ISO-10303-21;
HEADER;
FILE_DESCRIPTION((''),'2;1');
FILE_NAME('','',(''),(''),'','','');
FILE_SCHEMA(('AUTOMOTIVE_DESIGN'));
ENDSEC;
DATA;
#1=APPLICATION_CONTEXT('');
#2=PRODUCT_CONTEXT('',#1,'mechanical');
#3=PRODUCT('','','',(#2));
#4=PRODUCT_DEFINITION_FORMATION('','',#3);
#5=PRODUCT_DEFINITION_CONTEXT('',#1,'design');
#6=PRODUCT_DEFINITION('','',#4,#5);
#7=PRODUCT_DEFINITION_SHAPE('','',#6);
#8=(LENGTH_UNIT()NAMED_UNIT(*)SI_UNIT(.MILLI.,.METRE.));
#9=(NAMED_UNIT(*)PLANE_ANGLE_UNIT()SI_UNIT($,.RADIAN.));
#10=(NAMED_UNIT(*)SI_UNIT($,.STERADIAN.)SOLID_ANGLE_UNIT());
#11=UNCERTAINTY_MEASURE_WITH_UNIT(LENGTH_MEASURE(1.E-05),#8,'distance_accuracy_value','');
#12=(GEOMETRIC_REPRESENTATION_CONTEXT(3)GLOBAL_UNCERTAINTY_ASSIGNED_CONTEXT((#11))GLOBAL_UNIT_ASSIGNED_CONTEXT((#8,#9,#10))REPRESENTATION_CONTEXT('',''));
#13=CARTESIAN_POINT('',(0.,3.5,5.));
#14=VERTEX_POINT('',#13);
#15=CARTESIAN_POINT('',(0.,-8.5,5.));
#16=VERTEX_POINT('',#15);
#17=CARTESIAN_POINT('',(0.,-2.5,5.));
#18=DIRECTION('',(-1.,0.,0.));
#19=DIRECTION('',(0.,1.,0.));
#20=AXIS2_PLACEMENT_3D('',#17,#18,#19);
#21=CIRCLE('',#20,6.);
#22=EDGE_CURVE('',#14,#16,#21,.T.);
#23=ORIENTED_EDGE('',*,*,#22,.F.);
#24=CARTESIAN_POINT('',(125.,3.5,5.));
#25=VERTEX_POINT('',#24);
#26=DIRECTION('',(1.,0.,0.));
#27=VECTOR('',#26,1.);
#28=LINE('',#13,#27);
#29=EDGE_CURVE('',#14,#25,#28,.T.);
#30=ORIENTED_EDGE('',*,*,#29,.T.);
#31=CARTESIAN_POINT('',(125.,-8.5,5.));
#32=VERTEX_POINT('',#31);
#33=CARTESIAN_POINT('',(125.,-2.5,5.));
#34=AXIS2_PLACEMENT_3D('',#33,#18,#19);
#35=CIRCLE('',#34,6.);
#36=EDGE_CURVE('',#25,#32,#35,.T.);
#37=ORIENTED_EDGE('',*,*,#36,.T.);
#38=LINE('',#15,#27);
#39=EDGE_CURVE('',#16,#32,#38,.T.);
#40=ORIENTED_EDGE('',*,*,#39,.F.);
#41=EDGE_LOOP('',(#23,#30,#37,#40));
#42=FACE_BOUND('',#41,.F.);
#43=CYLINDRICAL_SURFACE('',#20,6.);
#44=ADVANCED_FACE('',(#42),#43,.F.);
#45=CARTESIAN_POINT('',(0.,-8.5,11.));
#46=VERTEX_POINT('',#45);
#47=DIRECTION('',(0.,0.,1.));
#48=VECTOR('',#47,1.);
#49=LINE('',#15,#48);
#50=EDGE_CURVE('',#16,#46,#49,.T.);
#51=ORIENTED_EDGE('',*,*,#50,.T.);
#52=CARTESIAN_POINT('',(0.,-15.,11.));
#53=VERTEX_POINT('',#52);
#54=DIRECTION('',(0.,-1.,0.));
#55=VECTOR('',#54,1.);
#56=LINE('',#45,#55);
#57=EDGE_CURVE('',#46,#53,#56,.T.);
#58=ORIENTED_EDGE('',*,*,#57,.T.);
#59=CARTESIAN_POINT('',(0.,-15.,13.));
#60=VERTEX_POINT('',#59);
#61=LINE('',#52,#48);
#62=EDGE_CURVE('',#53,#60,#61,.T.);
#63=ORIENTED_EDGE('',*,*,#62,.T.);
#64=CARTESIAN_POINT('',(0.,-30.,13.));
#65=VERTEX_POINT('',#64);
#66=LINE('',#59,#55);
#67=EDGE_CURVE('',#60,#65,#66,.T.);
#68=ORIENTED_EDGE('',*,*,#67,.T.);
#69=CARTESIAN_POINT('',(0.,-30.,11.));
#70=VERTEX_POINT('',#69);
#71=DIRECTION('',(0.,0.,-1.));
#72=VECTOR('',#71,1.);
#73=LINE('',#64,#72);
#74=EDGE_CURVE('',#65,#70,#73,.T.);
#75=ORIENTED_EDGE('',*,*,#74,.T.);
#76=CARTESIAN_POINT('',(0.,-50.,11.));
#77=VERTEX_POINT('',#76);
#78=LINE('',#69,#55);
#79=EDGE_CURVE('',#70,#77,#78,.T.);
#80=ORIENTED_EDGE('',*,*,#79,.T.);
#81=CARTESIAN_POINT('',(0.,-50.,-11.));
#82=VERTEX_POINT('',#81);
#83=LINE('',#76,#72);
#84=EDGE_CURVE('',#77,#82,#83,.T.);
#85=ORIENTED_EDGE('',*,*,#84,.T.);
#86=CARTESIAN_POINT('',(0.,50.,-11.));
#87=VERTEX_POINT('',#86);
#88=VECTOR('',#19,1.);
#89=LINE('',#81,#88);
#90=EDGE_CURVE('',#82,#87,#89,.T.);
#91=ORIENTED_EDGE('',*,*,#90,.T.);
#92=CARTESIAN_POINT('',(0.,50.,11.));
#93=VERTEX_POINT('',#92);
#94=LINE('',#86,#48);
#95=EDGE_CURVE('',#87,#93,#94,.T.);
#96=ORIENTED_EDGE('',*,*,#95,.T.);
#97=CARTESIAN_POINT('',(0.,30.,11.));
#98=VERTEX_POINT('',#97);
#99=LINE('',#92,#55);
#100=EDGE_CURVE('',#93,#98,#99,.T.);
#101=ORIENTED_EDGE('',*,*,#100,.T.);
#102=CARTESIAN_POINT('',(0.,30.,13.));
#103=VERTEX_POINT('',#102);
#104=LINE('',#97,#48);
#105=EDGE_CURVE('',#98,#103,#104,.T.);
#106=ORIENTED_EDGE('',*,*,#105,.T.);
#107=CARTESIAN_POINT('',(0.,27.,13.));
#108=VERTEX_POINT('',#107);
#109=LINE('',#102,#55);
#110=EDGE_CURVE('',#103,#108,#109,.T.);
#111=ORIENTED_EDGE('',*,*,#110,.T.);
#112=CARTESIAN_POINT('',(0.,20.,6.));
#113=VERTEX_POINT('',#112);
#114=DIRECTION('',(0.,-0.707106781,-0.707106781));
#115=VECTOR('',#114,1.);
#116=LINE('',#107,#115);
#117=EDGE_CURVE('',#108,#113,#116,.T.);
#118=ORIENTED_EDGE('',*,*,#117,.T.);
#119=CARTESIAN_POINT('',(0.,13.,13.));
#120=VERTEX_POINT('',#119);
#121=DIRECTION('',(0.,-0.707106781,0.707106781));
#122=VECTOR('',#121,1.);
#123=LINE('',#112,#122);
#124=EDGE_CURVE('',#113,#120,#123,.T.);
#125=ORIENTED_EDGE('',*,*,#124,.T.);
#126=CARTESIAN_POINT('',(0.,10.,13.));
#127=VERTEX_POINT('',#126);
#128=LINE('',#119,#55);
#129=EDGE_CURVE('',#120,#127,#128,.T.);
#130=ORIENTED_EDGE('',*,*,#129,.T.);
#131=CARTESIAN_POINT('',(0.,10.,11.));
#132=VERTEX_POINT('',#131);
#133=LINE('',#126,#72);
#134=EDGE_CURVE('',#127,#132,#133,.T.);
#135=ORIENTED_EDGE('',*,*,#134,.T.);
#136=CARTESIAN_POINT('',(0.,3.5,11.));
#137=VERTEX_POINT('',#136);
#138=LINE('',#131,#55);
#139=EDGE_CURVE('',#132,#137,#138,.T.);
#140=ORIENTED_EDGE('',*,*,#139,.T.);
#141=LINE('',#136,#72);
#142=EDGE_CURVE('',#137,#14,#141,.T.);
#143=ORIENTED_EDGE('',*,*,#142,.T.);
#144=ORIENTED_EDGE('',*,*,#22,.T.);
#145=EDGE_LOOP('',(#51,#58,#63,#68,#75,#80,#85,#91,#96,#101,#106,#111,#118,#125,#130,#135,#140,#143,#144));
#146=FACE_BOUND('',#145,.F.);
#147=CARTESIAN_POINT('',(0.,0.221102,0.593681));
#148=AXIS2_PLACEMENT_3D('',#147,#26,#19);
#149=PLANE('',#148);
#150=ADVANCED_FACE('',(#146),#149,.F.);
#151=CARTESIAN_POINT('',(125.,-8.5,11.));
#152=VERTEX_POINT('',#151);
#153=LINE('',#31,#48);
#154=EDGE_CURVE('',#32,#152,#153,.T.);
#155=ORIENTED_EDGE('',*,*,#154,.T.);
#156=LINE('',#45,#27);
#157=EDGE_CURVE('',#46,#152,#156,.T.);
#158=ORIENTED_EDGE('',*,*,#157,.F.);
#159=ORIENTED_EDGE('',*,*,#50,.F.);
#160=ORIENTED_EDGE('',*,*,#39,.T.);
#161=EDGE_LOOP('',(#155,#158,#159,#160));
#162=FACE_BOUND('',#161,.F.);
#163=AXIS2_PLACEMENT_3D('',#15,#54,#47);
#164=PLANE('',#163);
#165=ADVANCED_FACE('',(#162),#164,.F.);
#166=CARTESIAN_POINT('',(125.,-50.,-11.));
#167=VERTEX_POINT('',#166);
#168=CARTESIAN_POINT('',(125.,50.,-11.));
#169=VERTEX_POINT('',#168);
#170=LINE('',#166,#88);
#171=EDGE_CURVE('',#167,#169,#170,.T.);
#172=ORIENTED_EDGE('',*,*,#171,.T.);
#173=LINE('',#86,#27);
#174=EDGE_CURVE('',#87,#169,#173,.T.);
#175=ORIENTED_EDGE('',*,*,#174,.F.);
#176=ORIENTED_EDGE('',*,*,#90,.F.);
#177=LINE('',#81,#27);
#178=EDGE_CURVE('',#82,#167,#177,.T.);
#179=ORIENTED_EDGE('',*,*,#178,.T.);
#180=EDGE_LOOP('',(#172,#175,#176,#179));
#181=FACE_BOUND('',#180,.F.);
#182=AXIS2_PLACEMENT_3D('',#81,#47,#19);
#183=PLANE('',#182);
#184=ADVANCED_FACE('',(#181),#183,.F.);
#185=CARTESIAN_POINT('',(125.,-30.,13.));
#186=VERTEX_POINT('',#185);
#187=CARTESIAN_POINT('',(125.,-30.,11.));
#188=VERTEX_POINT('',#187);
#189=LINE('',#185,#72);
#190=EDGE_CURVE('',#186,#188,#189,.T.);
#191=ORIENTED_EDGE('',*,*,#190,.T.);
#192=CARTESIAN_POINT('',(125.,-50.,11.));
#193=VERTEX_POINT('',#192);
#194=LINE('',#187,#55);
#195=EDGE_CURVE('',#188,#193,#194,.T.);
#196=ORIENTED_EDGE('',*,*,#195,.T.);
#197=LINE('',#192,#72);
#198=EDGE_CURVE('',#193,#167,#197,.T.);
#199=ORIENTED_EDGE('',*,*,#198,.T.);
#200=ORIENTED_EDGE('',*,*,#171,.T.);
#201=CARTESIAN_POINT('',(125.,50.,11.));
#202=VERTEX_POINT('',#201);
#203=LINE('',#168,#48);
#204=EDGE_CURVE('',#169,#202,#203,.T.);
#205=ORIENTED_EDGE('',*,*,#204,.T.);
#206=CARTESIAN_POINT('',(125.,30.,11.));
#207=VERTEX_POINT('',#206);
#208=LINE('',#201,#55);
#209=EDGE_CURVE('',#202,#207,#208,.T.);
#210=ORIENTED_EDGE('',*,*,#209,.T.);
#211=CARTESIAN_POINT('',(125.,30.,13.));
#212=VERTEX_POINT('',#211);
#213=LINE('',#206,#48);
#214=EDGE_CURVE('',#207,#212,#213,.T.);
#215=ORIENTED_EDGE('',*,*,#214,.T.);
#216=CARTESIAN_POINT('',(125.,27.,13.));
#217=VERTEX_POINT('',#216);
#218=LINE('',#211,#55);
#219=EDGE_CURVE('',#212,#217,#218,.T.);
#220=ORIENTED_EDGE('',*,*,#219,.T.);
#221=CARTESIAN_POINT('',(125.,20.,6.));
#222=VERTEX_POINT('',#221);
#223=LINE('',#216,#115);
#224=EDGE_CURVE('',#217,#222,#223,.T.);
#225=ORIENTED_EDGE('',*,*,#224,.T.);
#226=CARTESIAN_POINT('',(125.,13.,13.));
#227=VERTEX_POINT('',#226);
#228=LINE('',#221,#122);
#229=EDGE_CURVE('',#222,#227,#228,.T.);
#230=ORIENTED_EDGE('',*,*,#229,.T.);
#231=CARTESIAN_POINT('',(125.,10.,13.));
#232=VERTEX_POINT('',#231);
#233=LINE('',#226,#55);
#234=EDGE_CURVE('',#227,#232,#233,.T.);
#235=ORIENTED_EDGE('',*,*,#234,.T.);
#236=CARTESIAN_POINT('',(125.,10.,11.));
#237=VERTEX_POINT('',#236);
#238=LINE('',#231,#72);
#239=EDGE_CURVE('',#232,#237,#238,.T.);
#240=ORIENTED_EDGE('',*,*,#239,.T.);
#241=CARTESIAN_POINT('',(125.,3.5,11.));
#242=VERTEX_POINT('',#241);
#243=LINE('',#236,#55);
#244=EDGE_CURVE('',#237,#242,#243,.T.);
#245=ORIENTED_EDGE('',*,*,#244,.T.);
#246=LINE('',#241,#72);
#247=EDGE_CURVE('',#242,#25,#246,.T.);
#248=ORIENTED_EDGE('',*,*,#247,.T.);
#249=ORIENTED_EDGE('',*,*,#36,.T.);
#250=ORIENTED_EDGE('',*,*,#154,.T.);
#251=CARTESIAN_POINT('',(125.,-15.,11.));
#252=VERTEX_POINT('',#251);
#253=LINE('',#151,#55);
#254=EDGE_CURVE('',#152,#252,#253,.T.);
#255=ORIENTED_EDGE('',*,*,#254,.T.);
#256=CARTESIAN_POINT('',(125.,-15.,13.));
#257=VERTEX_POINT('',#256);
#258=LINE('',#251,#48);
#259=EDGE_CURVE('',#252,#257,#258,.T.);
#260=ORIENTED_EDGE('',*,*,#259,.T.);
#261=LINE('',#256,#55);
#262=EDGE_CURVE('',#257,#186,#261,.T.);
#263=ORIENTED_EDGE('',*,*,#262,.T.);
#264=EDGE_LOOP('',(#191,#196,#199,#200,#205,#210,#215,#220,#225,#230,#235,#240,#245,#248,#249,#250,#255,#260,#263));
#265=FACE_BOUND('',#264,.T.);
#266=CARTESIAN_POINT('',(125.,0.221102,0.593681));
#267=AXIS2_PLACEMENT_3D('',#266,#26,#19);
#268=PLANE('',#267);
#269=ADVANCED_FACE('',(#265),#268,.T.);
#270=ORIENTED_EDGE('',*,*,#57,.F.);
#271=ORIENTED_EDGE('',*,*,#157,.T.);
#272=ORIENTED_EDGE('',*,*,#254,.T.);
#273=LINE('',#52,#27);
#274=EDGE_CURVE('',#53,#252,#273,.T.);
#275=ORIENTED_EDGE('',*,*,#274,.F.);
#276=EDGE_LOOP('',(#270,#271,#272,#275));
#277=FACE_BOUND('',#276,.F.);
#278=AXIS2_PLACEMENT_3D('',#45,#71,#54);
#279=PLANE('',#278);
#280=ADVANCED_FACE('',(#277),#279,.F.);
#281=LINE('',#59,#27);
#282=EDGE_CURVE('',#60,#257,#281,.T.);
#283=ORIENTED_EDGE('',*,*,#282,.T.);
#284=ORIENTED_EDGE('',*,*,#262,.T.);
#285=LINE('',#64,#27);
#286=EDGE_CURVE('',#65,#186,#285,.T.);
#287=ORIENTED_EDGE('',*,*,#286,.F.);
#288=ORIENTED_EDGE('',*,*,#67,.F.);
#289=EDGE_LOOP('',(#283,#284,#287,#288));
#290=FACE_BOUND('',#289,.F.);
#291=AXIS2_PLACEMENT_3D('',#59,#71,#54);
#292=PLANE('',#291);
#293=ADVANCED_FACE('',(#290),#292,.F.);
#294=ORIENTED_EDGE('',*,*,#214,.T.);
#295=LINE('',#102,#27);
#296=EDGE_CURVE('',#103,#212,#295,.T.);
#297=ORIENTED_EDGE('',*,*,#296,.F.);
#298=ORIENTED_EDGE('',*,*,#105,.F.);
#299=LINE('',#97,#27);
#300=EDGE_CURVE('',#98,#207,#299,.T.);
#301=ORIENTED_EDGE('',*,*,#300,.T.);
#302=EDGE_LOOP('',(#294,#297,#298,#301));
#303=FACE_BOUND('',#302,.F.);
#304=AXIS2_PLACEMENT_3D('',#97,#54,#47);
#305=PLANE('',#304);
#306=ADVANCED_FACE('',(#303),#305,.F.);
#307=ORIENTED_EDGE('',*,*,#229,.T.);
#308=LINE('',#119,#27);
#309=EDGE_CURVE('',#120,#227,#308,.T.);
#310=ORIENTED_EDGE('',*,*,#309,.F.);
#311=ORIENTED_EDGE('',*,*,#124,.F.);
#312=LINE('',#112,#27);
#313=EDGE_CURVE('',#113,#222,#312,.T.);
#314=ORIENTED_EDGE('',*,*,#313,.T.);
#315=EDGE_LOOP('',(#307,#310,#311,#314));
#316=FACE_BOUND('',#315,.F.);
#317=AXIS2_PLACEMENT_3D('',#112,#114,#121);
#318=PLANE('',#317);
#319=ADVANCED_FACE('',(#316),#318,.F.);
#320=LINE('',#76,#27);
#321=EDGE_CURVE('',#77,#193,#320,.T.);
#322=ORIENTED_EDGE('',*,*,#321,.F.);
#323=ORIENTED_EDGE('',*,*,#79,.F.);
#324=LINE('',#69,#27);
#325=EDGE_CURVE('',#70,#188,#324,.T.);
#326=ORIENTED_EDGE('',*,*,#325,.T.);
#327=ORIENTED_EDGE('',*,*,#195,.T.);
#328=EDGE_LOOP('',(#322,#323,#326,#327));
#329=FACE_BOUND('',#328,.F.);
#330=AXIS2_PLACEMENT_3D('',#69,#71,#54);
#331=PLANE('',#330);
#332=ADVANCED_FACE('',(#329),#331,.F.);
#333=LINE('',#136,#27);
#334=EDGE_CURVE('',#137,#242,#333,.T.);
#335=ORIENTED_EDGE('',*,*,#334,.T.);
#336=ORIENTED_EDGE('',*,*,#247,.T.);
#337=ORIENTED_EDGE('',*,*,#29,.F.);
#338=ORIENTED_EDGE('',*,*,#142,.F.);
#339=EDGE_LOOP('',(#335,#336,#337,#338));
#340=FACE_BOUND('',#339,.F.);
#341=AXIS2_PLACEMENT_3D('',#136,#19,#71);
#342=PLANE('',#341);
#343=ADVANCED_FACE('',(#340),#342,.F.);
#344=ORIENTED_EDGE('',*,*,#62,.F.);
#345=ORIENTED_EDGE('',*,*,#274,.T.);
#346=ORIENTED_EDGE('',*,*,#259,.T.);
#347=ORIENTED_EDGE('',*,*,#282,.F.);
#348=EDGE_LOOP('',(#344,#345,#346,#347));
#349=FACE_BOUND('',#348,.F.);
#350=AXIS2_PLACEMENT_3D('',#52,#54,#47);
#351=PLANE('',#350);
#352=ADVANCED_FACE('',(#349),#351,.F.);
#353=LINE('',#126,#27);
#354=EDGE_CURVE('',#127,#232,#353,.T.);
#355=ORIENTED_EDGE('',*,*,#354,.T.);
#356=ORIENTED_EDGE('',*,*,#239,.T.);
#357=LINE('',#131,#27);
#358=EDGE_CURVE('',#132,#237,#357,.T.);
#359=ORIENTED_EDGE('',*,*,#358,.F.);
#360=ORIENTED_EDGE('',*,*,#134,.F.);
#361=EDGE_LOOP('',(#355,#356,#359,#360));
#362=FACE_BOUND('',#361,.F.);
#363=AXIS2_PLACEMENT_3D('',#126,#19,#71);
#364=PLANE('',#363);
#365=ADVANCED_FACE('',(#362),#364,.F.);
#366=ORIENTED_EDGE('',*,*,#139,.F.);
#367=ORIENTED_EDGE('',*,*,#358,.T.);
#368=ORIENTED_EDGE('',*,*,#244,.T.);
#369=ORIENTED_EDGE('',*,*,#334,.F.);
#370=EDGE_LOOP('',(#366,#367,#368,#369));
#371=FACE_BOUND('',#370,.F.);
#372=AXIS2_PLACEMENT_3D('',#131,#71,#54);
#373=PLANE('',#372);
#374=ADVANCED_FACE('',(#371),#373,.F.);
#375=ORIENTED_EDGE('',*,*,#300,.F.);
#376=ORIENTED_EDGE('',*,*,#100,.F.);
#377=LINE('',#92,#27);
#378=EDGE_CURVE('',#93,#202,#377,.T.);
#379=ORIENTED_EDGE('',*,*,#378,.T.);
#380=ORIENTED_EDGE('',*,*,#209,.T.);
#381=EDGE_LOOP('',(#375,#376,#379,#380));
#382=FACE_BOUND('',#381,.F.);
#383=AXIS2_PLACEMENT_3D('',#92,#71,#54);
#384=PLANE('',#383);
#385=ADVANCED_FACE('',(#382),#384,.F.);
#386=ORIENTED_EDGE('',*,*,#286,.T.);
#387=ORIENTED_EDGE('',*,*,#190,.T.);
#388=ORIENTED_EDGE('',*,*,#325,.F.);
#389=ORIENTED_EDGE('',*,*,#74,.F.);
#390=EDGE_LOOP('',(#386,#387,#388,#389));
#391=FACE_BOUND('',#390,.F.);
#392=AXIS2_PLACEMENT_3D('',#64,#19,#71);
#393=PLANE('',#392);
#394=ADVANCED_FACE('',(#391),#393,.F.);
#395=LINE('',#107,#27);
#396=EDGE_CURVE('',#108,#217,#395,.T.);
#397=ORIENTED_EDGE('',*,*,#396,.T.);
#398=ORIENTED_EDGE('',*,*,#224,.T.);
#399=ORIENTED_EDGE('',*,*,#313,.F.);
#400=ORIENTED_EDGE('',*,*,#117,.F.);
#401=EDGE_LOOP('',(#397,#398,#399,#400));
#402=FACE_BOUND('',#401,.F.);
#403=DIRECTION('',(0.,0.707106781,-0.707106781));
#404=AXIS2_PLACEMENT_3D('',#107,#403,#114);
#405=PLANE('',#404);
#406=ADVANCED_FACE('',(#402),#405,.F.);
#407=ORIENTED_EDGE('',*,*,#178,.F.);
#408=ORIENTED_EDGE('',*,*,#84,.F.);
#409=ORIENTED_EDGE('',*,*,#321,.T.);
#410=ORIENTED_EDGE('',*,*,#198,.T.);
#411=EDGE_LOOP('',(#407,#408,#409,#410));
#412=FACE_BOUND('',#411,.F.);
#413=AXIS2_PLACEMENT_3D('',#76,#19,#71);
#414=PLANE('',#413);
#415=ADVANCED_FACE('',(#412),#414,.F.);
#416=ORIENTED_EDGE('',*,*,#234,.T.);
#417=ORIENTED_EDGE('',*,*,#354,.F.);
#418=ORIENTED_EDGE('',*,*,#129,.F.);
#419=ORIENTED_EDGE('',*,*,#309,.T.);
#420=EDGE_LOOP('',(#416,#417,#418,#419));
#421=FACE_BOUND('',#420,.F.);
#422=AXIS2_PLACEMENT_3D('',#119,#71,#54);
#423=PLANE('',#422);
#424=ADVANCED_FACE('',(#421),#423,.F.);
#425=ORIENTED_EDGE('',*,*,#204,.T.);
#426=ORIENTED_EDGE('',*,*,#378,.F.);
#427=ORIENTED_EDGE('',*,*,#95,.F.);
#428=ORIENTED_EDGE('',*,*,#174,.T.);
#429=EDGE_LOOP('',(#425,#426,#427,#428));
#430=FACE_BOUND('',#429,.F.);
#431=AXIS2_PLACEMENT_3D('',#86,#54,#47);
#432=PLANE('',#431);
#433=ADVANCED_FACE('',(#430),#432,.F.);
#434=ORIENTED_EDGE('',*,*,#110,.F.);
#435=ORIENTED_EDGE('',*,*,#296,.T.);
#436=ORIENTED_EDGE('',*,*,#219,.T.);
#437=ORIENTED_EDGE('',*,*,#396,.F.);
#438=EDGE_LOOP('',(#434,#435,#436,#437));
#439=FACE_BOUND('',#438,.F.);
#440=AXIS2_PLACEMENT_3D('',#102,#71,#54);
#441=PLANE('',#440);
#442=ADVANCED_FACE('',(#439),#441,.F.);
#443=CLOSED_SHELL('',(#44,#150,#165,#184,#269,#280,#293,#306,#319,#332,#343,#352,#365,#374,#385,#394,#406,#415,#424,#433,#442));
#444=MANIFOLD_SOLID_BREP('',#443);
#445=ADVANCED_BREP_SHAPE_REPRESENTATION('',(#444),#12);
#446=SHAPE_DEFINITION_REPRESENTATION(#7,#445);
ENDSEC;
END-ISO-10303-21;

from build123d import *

# Parameters (mm, degrees)
F1_DEPTH = 125


with BuildPart() as f1:
    # F0 (on Right) → F1 (new body)
    with BuildSketch(Plane.YZ):
        with BuildLine():
            Line((50, -11), (50, 11))
            Line((50, 11), (30, 11))
            Line((30, 11), (30, 13))
            Line((30, 13), (27, 13))
            Line((27, 13), (20, 6))
            Line((20, 6), (13, 13))
            Line((13, 13), (10, 13))
            Line((10, 13), (10, 11))
            Line((10, 11), (3.5, 11))
            Line((3.5, 11), (3.5, 5))
            ThreePointArc((3.5, 5), (-2.5, -1), (-8.5, 5))
            Line((-8.5, 5), (-8.5, 11))
            Line((-8.5, 11), (-15, 11))
            Line((-15, 11), (-15, 13))
            Line((-15, 13), (-30, 13))
            Line((-30, 13), (-30, 11))
            Line((-30, 11), (-50, 11))
            Line((-50, 11), (-50, -11))
            Line((-50, -11), (50, -11))
        make_face()
    extrude(amount=F1_DEPTH)


solid = f1.part
